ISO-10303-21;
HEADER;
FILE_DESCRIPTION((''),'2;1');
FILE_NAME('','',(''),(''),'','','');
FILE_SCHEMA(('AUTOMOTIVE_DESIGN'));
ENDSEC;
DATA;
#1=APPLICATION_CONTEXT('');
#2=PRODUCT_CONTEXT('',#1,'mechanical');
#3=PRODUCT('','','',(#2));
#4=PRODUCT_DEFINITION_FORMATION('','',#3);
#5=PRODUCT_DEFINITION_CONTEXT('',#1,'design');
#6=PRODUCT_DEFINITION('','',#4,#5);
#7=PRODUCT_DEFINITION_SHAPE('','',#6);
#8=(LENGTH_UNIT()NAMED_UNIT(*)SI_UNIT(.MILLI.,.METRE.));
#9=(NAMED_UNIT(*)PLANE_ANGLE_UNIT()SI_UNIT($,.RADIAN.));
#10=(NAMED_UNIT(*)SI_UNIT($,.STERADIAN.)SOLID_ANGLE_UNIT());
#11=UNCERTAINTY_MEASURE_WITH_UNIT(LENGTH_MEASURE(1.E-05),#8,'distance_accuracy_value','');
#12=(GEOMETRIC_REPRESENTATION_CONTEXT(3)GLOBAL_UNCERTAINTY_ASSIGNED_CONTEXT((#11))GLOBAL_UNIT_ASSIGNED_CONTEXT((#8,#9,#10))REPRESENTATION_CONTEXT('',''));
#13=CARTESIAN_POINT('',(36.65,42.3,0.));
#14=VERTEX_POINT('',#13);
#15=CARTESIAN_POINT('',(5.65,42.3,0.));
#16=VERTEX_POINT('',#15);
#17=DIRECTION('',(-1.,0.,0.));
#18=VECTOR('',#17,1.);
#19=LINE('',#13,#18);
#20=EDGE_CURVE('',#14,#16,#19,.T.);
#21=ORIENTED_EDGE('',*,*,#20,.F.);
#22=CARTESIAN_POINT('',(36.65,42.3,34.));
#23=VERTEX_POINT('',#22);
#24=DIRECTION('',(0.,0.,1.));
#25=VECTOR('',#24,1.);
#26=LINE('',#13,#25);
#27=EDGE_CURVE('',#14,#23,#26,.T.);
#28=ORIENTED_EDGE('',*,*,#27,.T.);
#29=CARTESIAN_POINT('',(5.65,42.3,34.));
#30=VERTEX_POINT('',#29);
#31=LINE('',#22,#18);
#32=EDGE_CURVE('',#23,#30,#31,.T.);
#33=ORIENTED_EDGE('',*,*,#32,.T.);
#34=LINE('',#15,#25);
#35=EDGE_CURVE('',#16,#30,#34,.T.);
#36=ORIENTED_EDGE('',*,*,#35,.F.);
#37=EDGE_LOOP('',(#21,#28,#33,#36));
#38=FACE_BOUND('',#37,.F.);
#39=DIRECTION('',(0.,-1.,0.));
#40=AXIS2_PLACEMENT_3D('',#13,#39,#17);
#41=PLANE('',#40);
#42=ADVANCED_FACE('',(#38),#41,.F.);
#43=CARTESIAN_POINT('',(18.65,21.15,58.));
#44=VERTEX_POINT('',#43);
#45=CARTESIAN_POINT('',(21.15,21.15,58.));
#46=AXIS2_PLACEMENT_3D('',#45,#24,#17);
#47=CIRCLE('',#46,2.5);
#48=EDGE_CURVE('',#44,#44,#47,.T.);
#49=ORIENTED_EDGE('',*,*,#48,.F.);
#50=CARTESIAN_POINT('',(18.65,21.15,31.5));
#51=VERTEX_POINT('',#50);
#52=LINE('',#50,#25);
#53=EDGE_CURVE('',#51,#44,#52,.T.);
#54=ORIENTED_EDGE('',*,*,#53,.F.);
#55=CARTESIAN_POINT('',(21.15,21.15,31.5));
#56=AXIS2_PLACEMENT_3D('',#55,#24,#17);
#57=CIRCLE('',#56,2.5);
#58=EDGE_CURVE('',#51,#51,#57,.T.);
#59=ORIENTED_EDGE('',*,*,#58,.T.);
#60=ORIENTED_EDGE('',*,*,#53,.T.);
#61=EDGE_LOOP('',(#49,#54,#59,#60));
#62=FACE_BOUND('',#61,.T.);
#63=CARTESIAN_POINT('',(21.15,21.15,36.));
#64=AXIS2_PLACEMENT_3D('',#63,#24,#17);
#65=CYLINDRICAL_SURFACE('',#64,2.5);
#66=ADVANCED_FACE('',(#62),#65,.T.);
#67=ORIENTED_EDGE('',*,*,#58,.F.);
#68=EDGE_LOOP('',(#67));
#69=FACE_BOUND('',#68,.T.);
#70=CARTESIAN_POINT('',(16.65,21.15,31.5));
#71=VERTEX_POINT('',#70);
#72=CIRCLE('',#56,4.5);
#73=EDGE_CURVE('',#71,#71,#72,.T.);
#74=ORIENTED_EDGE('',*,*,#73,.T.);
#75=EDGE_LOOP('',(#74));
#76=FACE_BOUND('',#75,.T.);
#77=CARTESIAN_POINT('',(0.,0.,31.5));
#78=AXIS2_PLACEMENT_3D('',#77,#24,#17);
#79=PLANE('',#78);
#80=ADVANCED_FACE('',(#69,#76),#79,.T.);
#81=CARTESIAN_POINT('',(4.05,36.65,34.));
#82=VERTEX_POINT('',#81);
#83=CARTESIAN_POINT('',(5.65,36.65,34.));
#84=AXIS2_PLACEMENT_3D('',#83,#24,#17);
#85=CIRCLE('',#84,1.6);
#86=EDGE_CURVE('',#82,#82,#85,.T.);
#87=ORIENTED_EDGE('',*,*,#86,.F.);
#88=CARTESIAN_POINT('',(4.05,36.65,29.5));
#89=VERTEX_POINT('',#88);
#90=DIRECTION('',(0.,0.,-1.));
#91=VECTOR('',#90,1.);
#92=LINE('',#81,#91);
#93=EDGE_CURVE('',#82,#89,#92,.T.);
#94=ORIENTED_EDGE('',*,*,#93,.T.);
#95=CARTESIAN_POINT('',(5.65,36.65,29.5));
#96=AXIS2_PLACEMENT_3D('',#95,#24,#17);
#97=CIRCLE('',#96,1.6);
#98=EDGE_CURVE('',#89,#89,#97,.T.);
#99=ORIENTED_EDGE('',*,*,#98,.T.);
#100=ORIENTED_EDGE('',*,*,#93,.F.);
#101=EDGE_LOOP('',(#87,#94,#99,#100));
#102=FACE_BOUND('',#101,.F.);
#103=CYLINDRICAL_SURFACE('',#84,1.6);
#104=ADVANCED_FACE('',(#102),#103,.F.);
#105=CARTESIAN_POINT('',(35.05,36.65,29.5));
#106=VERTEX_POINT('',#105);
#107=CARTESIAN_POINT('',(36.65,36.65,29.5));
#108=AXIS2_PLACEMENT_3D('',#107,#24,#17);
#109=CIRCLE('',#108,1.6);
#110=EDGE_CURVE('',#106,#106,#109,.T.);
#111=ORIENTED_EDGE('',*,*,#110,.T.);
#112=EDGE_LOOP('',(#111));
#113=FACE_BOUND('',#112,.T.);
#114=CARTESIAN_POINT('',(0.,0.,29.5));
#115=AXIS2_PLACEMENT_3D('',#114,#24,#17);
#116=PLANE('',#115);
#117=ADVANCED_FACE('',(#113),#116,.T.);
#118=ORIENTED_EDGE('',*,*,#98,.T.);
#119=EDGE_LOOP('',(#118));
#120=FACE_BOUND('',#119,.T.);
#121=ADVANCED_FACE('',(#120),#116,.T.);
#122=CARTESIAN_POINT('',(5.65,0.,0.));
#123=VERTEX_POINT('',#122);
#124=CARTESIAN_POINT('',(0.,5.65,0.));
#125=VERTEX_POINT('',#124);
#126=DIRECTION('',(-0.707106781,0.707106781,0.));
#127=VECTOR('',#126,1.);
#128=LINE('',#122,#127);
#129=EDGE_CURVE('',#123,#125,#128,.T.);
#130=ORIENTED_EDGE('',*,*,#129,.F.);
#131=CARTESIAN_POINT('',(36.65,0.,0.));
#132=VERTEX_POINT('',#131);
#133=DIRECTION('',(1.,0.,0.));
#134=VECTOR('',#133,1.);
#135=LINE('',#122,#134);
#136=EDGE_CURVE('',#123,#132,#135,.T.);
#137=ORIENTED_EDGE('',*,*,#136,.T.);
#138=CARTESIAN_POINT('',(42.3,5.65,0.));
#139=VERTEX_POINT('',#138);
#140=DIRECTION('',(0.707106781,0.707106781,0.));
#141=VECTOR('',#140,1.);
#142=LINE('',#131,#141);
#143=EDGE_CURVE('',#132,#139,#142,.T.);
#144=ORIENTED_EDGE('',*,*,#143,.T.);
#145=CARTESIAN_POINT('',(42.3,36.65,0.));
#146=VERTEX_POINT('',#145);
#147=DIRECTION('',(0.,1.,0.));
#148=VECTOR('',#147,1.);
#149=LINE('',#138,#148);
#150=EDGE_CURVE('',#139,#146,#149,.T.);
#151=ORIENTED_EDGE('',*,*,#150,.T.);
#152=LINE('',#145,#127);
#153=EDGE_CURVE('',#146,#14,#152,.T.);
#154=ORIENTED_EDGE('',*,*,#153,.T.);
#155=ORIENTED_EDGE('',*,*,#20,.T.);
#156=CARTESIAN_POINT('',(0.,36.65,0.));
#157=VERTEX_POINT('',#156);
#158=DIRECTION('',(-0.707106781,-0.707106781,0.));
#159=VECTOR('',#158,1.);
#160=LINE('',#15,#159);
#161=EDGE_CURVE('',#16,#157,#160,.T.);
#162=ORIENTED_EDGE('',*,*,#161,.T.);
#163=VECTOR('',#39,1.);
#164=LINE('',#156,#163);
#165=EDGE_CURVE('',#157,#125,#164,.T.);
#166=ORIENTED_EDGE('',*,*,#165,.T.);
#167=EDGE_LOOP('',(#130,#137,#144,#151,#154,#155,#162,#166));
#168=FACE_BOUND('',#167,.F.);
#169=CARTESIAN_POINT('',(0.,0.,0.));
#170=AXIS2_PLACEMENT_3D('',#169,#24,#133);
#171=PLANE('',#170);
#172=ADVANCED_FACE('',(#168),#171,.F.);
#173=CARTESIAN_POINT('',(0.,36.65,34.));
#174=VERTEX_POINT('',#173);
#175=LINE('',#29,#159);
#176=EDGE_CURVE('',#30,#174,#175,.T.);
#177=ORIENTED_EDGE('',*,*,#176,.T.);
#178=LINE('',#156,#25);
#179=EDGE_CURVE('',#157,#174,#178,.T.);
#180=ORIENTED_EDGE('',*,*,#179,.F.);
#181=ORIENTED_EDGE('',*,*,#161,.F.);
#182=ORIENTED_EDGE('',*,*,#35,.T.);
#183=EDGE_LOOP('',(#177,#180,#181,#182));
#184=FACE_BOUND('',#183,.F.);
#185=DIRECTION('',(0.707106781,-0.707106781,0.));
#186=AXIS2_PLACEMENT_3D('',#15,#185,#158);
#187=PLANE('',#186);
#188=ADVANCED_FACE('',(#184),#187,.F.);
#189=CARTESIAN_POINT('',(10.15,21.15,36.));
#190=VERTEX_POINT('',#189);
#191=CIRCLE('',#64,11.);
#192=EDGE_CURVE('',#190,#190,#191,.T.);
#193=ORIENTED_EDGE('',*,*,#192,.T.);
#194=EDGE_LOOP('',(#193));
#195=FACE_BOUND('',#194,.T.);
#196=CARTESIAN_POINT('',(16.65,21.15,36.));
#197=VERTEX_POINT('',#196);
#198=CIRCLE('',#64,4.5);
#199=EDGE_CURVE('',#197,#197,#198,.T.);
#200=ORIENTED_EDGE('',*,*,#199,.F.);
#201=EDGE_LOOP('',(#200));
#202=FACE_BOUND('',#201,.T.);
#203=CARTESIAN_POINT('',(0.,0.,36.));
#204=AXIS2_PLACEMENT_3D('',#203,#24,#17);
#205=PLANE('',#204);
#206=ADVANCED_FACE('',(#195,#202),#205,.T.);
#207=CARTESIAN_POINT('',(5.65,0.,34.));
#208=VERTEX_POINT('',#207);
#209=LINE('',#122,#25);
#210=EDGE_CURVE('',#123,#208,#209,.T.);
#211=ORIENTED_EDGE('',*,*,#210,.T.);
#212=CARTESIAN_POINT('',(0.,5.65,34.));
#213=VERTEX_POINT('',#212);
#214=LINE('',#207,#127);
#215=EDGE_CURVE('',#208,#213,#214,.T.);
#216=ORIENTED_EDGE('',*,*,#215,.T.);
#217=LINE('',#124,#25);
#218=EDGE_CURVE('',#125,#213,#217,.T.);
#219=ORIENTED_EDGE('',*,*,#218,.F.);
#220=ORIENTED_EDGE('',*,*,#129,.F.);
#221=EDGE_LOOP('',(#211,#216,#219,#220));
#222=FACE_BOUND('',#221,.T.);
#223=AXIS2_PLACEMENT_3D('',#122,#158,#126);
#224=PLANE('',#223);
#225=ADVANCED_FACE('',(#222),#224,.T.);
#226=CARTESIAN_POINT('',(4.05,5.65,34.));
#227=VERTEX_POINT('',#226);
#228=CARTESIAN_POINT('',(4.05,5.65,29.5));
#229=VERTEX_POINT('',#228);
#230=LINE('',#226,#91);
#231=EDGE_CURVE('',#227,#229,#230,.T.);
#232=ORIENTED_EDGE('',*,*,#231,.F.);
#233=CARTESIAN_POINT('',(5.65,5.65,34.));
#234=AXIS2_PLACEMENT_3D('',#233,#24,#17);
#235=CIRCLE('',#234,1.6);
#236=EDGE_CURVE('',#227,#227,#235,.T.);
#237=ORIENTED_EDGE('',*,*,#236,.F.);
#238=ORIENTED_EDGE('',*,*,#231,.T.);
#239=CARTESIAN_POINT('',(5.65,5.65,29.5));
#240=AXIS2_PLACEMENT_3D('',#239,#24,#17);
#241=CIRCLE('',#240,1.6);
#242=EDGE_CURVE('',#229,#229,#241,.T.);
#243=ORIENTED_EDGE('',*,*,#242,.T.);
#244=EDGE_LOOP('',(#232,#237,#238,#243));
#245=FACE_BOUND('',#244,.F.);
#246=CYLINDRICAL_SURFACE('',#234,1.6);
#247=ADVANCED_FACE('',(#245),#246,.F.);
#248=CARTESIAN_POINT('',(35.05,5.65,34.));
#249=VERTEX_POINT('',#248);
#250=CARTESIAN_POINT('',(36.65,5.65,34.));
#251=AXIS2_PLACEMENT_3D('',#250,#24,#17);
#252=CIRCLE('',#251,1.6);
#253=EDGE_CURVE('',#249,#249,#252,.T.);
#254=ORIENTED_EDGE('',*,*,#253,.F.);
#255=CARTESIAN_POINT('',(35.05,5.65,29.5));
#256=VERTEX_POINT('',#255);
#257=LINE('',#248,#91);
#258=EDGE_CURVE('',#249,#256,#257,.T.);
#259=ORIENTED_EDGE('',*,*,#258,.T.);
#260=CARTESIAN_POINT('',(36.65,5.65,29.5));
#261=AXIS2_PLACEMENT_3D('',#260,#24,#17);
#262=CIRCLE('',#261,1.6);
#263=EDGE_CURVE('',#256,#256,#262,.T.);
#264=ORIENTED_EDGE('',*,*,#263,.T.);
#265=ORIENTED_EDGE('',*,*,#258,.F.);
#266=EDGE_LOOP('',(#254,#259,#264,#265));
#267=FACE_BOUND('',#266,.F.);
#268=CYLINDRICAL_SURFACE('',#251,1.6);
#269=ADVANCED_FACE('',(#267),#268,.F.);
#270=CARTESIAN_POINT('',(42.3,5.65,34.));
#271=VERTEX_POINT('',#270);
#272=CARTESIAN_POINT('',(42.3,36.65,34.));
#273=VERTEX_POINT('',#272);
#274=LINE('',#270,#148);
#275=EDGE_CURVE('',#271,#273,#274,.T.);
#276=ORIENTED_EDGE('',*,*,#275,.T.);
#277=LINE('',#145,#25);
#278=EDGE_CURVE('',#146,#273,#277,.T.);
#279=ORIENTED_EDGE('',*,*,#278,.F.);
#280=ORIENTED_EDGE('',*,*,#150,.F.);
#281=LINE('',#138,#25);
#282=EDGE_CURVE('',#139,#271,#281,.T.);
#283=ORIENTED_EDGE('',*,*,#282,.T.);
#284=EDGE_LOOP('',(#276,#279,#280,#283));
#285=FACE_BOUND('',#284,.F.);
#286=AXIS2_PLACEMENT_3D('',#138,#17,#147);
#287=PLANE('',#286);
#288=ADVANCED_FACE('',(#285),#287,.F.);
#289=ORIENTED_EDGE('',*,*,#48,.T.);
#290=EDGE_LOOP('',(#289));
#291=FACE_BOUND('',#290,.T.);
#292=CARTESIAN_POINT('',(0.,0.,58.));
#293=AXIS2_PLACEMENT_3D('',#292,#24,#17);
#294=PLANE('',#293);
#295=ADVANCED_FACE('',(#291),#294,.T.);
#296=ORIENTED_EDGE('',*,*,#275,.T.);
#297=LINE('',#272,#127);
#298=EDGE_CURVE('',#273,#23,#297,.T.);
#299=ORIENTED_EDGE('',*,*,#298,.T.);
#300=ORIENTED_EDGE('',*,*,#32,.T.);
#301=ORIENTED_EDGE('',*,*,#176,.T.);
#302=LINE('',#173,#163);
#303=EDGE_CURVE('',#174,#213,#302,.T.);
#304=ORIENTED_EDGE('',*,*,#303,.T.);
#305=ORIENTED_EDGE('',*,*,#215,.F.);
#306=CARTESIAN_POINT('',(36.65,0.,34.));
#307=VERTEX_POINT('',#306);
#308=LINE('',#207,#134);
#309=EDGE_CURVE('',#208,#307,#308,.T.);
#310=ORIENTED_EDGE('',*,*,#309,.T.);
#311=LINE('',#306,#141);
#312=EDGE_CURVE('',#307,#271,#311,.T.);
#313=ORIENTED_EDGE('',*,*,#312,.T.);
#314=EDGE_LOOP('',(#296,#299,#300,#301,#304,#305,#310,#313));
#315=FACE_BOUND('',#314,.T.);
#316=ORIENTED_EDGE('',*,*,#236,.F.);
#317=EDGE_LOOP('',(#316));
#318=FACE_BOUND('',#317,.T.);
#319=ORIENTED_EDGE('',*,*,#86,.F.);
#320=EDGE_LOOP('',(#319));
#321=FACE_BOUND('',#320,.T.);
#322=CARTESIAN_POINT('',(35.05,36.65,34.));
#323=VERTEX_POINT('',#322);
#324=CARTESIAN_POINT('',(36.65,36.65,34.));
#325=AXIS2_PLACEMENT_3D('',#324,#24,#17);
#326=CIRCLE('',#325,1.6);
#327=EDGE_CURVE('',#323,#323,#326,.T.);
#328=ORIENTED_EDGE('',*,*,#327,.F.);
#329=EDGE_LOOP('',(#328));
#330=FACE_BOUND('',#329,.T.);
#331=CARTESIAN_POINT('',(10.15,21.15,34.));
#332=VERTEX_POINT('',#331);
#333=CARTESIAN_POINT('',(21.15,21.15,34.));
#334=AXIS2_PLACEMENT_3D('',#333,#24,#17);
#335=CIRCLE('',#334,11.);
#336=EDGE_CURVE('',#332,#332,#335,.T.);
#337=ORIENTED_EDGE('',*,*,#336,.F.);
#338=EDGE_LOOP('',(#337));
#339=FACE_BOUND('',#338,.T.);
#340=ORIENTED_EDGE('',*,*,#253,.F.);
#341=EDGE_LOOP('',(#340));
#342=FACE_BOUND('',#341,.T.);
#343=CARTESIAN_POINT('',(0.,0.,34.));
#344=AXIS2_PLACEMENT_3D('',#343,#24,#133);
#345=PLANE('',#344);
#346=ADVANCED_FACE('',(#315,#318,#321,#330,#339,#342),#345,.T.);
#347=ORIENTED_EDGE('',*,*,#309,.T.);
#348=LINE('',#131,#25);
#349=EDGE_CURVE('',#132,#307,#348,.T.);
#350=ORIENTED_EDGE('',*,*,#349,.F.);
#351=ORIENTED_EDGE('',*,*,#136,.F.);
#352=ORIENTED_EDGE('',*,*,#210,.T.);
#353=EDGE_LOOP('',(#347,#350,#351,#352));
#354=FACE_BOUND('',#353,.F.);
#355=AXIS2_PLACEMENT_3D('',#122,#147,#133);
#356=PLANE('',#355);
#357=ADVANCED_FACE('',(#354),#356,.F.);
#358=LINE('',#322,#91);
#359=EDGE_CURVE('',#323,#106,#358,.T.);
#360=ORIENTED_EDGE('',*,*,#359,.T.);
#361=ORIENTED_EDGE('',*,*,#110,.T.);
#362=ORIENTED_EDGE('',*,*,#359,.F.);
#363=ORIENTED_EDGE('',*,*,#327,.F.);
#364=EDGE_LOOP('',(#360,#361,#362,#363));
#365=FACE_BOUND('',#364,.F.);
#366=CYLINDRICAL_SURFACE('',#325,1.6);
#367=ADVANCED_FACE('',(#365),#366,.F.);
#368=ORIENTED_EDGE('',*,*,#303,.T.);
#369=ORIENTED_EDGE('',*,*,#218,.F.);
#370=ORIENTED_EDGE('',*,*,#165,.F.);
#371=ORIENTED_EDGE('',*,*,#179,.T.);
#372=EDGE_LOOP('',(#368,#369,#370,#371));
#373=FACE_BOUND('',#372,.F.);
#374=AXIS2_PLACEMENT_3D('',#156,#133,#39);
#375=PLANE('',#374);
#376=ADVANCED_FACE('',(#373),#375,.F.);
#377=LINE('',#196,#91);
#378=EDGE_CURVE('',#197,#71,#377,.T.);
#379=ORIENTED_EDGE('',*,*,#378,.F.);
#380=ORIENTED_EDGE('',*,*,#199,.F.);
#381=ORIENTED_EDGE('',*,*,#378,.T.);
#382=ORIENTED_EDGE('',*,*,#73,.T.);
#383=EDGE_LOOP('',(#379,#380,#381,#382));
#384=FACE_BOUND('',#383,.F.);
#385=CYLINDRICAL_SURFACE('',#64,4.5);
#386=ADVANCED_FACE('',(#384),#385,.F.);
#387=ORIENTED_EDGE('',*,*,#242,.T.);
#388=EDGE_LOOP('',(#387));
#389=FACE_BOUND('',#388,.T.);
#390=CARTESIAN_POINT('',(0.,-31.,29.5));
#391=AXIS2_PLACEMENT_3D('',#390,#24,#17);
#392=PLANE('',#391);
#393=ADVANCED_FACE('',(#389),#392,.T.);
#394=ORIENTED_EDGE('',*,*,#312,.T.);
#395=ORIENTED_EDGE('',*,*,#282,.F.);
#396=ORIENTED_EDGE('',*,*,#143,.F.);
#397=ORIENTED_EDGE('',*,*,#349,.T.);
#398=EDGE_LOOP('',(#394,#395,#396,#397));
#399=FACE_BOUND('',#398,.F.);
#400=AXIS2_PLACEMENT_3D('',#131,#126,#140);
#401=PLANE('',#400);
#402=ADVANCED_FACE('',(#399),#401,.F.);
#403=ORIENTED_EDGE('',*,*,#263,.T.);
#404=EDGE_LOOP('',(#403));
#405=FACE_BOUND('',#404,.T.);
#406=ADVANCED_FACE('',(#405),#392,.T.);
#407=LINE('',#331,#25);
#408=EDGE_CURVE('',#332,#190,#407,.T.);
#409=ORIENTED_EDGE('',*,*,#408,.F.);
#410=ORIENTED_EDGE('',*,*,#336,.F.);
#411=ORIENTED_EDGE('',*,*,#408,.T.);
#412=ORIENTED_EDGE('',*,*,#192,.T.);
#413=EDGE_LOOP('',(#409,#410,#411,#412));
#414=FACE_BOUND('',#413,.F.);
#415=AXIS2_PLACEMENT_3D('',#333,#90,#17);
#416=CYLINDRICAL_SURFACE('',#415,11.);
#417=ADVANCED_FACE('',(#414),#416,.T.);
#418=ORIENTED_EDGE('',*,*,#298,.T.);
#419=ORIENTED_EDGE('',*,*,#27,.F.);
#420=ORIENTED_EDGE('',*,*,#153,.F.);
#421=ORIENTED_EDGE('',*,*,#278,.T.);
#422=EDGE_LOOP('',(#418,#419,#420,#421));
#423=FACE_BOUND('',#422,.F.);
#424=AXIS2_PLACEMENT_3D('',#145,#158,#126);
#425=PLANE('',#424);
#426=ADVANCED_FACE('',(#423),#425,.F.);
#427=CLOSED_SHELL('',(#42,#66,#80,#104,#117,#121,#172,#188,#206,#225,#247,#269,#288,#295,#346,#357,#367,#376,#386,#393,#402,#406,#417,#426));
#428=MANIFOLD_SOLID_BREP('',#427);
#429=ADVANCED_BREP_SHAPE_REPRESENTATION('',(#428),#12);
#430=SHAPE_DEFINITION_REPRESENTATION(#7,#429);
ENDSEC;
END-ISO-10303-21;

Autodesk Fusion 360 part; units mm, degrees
sketch "Sketch1" plane through (0, 0, 0) normal (0, 0, 1) x (1, 0, 0)
  line L0 (5.65, 0) -> (36.65, 0)
  line L1 (42.3, 5.65) -> (42.3, 36.65)
  line L2 (36.65, 42.3) -> (5.65, 42.3)
  line L3 (0, 36.65) -> (0, 5.65)
  line L4 (42.3, 36.65) -> (36.65, 42.3)
  line L5 (5.65, 42.3) -> (0, 36.65)
  line L6 (36.65, 0) -> (42.3, 5.65)
  line L7 (5.65, 0) -> (0, 5.65)
  dimension "d3" = 5.65
  dimension "d4" = 5.65
  dimension "d9" = 5.65
extrude "Extrude1" add sketch "Sketch1" along normal blind 34
sketch "Sketch2" plane through (0, 0, 34) normal (0, 0, 1) x (-1, 0, 0)
  line L0 (-36.65, 0) -> (-42.3, -5.65)
  line L1 (-42.3, -5.65) -> (-42.3, -36.65)
  line L2 (-42.3, -36.65) -> (-36.65, -42.3)
  line L3 (-36.65, -42.3) -> (-5.65, -42.3)
  line L4 (-5.65, -42.3) -> (0, -36.65)
  line L5 (0, -36.65) -> (0, -5.65)
  line L6 (0, -5.65) -> (-5.65, 0)
  line L7 (-5.65, 0) -> (-36.65, 0)
  circle A0 centre (-21.15, -21.15) radius 11
  circle A1 centre (-5.65, -36.65) radius 1.6
  circle A2 centre (-36.65, -36.65) radius 1.6
  dimension "d12" = 22
  dimension "d13" = 3.2
  dimension "d14" = 3.2
  dimension "d15" = 5.65
  dimension "d16" = 5.65
  dimension "d17" = 5.65
  dimension "d18" = 5.65
  dimension "d19" = 21.15
  dimension "d20" = 21.15
extrude "Extrude3" cut sketch "Sketch2" against normal blind 4.5 contours A1 | A2
extrude "Extrude2" add sketch "Sketch2" along normal blind 2 contours A0
pattern_linear "R-Pattern1" count 2 spacing 31 along (0, -1, 0) of "Extrude3"
sketch "Sketch3" plane through (0, 0, 36) normal (0, 0, 1) x (-1, 0, 0)
  circle A0 centre (-21.15, -21.15) radius 11
  circle A1 centre (-21.15, -21.15) radius 2.5
  dimension "d29" = 5
extrude "Extrude4" add sketch "Sketch3" along normal blind 22 contours A1
sketch "Sketch4" plane through (0, 0, 36) normal (0, 0, 1) x (-1, 0, 0)
  circle A0 centre (-21.15, -21.15) radius 2.5
  circle A1 centre (-21.15, -21.15) radius 11
  circle A2 centre (-21.15, -21.15) radius 4.5
  dimension "d32" = 9
extrude "Extrude5" cut sketch "Sketch4" against normal blind 4.5 contours A2
equation "d3 = ( 11.3 / 2 ) * 1 mm"
